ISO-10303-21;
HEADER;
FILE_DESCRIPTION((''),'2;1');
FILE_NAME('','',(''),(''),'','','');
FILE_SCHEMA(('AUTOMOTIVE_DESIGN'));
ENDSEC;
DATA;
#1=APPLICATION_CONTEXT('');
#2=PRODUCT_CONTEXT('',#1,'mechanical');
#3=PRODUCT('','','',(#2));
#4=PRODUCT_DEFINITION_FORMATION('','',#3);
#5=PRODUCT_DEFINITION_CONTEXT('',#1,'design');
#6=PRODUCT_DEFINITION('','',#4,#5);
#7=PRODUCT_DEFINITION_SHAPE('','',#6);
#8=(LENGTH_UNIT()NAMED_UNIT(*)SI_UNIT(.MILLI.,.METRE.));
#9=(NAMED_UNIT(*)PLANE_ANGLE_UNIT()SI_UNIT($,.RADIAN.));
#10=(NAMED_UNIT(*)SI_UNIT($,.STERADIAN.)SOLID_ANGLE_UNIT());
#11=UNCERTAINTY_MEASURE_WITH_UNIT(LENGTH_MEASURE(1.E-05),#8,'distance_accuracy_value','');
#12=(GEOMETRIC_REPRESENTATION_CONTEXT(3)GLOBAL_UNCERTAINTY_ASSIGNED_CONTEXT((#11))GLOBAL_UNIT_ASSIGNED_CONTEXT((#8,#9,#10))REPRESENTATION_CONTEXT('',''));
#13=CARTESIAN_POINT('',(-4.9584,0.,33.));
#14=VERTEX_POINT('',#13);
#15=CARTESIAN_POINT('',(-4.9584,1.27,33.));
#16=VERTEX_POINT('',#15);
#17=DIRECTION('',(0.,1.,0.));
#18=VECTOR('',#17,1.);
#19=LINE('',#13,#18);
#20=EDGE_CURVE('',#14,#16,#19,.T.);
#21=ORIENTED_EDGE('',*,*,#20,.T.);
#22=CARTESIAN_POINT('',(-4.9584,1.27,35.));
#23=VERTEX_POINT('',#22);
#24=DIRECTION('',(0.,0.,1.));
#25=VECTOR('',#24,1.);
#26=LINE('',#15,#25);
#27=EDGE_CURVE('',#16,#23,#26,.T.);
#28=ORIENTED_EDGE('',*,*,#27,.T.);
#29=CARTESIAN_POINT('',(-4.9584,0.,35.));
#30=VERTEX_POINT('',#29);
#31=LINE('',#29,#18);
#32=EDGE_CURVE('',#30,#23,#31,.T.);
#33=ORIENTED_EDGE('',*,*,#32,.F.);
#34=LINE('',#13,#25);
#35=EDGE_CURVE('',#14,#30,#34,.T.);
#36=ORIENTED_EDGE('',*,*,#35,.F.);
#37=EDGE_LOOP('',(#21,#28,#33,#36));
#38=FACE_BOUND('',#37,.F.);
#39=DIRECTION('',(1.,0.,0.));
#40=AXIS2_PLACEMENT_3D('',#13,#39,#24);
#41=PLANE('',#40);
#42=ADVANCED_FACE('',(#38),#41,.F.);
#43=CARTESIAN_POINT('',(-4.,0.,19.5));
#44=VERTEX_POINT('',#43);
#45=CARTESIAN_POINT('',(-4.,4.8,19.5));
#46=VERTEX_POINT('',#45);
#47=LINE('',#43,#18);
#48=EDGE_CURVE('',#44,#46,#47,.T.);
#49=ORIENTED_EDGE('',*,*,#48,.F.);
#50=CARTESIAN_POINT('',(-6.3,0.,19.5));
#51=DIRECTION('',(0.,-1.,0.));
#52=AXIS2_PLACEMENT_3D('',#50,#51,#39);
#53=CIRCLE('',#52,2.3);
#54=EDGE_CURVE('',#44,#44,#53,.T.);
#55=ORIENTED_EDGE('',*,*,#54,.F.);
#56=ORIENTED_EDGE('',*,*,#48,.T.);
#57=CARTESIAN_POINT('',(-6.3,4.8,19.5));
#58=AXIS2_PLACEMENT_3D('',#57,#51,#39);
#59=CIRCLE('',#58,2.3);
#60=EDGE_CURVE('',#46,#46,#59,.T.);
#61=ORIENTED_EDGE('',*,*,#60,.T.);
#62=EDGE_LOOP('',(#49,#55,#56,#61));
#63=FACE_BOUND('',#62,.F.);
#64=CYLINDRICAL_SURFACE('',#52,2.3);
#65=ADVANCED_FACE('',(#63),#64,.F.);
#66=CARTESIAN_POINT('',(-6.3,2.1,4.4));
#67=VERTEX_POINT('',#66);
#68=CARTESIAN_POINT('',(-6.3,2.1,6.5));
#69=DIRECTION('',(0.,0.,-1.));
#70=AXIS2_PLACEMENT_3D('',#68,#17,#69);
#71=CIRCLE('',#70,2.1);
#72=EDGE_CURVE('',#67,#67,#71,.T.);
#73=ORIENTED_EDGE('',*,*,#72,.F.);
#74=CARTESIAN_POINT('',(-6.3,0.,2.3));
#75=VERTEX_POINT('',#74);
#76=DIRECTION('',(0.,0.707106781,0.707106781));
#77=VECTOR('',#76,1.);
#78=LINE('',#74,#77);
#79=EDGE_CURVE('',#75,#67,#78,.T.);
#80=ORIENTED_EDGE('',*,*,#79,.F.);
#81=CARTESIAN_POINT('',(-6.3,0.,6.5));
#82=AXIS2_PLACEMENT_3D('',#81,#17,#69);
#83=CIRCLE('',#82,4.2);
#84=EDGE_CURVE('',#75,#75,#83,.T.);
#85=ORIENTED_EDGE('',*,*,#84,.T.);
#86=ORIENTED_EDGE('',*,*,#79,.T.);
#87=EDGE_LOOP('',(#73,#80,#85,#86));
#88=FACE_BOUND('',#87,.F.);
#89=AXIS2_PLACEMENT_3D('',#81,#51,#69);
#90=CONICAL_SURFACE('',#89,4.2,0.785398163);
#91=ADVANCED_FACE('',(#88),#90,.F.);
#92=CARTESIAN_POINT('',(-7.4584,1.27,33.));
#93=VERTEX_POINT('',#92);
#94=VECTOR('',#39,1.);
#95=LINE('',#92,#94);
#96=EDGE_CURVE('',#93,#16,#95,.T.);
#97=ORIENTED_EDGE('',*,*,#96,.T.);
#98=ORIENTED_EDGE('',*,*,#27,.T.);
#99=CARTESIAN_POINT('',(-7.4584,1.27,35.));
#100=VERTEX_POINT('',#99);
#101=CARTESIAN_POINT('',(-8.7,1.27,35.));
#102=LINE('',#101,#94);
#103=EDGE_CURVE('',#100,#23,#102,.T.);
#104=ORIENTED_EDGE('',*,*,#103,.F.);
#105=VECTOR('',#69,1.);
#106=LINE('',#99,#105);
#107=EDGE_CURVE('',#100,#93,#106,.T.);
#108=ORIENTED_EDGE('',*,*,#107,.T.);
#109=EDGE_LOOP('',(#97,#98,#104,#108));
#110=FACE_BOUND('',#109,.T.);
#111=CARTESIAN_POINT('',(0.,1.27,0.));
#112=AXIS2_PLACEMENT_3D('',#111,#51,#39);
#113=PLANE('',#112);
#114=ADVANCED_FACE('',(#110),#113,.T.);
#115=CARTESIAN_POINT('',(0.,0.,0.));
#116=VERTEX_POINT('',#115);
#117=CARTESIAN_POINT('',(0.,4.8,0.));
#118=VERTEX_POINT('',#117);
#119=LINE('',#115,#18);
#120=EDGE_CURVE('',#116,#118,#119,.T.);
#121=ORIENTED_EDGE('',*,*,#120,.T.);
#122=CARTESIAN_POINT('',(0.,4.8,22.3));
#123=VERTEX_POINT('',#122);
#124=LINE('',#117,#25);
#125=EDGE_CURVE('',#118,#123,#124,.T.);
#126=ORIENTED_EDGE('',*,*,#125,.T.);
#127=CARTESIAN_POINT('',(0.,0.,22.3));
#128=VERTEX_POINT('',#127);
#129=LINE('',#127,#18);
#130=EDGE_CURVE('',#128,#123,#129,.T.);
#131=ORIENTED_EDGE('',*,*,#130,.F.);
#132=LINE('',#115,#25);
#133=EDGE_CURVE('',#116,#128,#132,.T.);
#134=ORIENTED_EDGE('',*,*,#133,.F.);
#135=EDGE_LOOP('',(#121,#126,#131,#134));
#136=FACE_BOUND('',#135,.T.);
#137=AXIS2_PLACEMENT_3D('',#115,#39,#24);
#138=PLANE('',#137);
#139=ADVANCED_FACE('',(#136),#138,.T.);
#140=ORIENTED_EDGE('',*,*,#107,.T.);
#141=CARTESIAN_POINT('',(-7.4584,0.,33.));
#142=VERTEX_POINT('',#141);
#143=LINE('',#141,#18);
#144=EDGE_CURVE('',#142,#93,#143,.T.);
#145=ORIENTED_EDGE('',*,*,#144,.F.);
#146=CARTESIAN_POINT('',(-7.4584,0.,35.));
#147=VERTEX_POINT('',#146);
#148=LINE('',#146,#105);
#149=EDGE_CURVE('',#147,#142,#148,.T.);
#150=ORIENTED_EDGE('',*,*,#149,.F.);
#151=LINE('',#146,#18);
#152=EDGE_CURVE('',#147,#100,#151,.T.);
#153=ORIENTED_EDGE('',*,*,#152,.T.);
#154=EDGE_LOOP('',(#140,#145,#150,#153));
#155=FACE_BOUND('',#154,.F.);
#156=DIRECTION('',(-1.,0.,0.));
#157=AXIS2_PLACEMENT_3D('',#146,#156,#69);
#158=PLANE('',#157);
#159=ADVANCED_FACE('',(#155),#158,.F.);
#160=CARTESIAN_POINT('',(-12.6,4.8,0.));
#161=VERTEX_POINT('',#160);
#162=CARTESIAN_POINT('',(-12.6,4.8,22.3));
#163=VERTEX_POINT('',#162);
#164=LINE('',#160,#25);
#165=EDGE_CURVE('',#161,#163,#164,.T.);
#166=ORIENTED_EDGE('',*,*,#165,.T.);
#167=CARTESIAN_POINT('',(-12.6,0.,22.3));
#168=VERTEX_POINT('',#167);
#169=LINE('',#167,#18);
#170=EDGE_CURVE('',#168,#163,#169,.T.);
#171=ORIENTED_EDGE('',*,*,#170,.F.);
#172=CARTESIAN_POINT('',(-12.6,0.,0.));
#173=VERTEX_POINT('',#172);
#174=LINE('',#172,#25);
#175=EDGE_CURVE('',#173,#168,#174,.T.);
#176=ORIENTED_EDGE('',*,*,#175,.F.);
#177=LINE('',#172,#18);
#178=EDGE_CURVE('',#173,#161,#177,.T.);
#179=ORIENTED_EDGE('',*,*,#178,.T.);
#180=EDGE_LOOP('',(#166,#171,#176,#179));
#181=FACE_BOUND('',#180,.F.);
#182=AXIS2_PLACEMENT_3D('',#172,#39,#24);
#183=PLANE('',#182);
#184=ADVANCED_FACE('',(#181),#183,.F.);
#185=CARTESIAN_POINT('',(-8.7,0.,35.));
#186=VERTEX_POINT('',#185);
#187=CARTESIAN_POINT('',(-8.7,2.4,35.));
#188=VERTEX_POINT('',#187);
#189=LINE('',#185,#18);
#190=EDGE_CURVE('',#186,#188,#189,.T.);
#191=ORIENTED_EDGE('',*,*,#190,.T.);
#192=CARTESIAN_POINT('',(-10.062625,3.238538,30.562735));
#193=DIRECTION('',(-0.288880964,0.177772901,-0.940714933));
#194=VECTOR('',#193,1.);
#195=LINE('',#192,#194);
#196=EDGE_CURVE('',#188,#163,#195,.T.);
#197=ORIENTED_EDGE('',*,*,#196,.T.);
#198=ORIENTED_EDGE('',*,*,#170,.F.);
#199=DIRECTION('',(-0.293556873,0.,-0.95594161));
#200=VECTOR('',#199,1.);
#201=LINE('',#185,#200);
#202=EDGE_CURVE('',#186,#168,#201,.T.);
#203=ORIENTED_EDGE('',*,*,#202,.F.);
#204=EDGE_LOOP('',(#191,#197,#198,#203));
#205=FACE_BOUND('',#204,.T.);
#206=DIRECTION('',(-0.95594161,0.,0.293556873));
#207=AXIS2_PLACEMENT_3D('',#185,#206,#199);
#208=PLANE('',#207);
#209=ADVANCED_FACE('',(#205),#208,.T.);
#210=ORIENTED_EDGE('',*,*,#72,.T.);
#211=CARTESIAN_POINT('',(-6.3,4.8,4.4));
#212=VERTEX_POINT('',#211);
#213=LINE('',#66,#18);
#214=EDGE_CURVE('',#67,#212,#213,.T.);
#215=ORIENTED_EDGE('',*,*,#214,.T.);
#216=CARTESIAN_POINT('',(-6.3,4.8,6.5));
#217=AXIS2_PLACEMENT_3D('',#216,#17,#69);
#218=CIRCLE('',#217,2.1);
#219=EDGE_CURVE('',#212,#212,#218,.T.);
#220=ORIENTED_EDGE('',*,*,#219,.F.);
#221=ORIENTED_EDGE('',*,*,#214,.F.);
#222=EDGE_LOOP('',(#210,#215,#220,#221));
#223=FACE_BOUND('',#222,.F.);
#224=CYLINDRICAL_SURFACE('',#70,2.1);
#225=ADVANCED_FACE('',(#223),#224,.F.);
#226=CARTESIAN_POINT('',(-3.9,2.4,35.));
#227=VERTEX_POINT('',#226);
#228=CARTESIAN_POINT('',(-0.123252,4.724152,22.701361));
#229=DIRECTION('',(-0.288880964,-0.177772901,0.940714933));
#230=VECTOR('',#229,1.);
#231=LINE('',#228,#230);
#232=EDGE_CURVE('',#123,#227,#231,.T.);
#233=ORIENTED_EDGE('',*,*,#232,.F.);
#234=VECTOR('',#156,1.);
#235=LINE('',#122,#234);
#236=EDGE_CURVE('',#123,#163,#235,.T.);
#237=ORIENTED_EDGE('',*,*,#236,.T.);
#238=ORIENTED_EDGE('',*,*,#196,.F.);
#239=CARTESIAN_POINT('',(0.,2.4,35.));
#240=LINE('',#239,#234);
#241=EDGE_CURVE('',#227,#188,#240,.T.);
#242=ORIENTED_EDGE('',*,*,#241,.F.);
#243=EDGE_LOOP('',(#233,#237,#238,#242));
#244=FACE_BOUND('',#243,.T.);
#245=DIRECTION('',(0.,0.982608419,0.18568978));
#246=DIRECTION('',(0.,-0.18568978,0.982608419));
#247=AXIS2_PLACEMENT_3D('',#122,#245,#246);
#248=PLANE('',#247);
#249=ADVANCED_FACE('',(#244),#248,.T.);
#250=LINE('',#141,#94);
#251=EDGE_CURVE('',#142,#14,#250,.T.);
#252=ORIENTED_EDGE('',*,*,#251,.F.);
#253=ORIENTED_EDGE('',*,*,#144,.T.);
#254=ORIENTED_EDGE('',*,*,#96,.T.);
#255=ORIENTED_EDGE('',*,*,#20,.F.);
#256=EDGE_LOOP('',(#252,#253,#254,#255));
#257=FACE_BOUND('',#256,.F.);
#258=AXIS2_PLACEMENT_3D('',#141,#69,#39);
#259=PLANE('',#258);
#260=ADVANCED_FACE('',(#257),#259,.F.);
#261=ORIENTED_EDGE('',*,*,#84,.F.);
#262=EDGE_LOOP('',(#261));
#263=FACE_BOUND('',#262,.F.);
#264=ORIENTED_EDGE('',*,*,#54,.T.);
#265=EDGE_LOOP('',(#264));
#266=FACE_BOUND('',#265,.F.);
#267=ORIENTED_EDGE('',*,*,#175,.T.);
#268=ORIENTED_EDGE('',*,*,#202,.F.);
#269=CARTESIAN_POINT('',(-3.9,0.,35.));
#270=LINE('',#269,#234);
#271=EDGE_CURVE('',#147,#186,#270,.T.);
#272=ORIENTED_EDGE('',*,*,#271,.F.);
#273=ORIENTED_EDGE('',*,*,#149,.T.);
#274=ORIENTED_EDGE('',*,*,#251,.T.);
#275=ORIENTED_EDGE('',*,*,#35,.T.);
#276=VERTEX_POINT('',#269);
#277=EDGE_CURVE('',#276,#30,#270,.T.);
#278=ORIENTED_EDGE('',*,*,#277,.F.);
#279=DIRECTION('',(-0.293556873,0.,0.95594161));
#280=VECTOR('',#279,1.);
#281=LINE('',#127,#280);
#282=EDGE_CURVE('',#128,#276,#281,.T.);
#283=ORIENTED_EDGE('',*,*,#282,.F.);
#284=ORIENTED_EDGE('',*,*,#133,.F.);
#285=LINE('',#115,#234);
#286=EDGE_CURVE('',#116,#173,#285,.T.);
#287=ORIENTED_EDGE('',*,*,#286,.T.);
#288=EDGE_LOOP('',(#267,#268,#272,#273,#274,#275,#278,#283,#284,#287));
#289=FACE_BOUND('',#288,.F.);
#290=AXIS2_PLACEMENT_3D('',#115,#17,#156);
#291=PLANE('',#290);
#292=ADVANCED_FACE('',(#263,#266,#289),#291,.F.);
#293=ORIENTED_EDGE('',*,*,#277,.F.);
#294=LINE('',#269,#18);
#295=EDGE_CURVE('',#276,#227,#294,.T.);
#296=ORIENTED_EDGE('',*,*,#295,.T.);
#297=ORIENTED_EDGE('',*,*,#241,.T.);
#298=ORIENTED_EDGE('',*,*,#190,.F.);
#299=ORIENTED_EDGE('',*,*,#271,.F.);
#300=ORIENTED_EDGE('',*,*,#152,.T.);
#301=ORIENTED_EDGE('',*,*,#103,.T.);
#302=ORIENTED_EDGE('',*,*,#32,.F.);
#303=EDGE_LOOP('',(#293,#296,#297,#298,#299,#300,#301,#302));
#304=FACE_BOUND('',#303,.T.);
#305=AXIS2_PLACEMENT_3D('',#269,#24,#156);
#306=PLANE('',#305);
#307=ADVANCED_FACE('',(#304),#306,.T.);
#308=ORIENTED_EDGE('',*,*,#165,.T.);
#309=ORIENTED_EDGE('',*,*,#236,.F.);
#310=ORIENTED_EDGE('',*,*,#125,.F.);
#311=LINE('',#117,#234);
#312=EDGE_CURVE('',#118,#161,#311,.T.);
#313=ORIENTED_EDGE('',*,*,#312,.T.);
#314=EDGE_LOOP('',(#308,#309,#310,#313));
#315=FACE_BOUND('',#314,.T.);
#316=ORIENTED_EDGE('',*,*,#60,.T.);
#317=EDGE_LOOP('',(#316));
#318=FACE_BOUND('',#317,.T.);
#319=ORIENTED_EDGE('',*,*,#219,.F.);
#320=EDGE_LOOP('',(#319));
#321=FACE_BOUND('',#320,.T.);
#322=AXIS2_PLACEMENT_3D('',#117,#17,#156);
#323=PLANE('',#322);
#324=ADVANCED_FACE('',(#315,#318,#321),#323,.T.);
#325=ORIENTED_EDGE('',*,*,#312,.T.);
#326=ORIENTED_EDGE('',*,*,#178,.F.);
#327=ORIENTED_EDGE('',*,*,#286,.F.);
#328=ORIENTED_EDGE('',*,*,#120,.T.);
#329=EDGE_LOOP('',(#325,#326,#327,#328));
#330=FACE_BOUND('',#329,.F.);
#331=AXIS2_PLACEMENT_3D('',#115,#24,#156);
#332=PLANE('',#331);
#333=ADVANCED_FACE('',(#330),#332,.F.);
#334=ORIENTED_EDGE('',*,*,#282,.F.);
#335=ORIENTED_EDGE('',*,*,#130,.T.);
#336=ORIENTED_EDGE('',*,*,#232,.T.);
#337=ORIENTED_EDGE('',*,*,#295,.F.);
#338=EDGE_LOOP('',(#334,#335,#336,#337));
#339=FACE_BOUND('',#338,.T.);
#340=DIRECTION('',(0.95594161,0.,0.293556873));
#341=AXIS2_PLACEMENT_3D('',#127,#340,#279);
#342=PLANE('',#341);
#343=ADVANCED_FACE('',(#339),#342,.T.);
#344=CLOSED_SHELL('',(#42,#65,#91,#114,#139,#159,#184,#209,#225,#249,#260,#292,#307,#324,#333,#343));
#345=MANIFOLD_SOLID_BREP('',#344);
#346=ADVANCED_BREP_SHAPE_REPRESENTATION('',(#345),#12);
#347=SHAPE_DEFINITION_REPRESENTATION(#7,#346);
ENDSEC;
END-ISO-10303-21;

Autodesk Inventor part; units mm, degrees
ref_plane "YZ Plane" through (0, 0, 0) normal (1, 0, 0) x (0, 1, 0)
ref_plane "XZ Plane" through (0, 0, 0) normal (0, 1, 0) x (-1, 0, 0)
ref_plane "XY Plane" through (0, 0, 0) normal (0, 0, 1) x (1, 0, 0)
sketch "Sketch1" plane through (0, 0, 0) normal (0, 1, 0) x (-1, 0, 0)
  line L0 (0, 0) -> (12.6, 0)
  line L1 (12.6, 0) -> (12.6, 22.3)
  line L2 (0, 0) -> (0, 22.3)
  line L3 (0, 22.3) -> (3.9, 35)
  line L4 (3.9, 35) -> (8.7, 35)
  line L5 (8.7, 35) -> (12.6, 22.3)
  point P0 (6.3, 6.5)
  dimension "d4" = 22.3
  dimension "d5" = 4.8
extrude "Extrusion1" add sketch "Sketch1" along normal blind 4.8
sketch "Sketch2" plane through (0, 0, 0) normal (0, -1, 0) x (1, 0, 0)
  point P0 (0, 0)
  point P1 (-6.3, 6.5)
hole "Hole1" at (-6.3, 0, 6.5) direction (0, 1, 0) diameter 4.2 depth 8 tip angle 118 countersink diameter 8.4 countersink angle 90
sketch "Sketch3" plane through (0, 0, 0) normal (0, -1, 0) x (1, 0, 0)
  circle A0 centre (-6.3, 19.5) radius 2.3
  point P0 (0, 0)
  dimension "d13" = 4.6
extrude "Extrusion2" cut sketch "Sketch3" against normal through all
sketch "Sketch4" plane through (0, 0, 0) normal (1, 0, 0) x (0, 1, 0)
  line L0 (0, 35) -> (4.8, 35) projected
  line L1 (0, 22.3) -> (4.8, 22.3) projected
  line L2 (4.8, 22.3) -> (2.4, 35)
  line L3 (4.8, 35) -> (4.8, 22.3) projected
  line L4 (2.4, 35) -> (4.8, 35)
  line L5 (4.8, 35) -> (4.8, 22.3)
  point P0 (0, 0)
extrude "Extrusion3" cut sketch "Sketch4" against normal through all
sketch "Sketch5" plane through (0, 0, 0) normal (1, 0, 0) x (0, 1, 0)
  point P0 (0, 0)
sketch "Sketch6" plane through (0, 0, 0) normal (0, -1, 0) x (1, 0, 0)
  line L0 (-8.7, 35) -> (-3.9, 35) projected
  line L1 (-4.9584, 35) -> (-7.4584, 35)
  line L2 (-7.4584, 35) -> (-7.4584, 33)
  line L3 (-7.4584, 33) -> (-4.9584, 33)
  line L4 (-4.9584, 33) -> (-4.9584, 35)
  point P0 (0, 0)
  point P1 (-6.3, 35)
  dimension "d18" = 2.5
  dimension "d19" = 2
extrude "Extrusion4" cut sketch "Sketch6" against normal blind 1.27
properties part number "HeadbarClampBottom"
